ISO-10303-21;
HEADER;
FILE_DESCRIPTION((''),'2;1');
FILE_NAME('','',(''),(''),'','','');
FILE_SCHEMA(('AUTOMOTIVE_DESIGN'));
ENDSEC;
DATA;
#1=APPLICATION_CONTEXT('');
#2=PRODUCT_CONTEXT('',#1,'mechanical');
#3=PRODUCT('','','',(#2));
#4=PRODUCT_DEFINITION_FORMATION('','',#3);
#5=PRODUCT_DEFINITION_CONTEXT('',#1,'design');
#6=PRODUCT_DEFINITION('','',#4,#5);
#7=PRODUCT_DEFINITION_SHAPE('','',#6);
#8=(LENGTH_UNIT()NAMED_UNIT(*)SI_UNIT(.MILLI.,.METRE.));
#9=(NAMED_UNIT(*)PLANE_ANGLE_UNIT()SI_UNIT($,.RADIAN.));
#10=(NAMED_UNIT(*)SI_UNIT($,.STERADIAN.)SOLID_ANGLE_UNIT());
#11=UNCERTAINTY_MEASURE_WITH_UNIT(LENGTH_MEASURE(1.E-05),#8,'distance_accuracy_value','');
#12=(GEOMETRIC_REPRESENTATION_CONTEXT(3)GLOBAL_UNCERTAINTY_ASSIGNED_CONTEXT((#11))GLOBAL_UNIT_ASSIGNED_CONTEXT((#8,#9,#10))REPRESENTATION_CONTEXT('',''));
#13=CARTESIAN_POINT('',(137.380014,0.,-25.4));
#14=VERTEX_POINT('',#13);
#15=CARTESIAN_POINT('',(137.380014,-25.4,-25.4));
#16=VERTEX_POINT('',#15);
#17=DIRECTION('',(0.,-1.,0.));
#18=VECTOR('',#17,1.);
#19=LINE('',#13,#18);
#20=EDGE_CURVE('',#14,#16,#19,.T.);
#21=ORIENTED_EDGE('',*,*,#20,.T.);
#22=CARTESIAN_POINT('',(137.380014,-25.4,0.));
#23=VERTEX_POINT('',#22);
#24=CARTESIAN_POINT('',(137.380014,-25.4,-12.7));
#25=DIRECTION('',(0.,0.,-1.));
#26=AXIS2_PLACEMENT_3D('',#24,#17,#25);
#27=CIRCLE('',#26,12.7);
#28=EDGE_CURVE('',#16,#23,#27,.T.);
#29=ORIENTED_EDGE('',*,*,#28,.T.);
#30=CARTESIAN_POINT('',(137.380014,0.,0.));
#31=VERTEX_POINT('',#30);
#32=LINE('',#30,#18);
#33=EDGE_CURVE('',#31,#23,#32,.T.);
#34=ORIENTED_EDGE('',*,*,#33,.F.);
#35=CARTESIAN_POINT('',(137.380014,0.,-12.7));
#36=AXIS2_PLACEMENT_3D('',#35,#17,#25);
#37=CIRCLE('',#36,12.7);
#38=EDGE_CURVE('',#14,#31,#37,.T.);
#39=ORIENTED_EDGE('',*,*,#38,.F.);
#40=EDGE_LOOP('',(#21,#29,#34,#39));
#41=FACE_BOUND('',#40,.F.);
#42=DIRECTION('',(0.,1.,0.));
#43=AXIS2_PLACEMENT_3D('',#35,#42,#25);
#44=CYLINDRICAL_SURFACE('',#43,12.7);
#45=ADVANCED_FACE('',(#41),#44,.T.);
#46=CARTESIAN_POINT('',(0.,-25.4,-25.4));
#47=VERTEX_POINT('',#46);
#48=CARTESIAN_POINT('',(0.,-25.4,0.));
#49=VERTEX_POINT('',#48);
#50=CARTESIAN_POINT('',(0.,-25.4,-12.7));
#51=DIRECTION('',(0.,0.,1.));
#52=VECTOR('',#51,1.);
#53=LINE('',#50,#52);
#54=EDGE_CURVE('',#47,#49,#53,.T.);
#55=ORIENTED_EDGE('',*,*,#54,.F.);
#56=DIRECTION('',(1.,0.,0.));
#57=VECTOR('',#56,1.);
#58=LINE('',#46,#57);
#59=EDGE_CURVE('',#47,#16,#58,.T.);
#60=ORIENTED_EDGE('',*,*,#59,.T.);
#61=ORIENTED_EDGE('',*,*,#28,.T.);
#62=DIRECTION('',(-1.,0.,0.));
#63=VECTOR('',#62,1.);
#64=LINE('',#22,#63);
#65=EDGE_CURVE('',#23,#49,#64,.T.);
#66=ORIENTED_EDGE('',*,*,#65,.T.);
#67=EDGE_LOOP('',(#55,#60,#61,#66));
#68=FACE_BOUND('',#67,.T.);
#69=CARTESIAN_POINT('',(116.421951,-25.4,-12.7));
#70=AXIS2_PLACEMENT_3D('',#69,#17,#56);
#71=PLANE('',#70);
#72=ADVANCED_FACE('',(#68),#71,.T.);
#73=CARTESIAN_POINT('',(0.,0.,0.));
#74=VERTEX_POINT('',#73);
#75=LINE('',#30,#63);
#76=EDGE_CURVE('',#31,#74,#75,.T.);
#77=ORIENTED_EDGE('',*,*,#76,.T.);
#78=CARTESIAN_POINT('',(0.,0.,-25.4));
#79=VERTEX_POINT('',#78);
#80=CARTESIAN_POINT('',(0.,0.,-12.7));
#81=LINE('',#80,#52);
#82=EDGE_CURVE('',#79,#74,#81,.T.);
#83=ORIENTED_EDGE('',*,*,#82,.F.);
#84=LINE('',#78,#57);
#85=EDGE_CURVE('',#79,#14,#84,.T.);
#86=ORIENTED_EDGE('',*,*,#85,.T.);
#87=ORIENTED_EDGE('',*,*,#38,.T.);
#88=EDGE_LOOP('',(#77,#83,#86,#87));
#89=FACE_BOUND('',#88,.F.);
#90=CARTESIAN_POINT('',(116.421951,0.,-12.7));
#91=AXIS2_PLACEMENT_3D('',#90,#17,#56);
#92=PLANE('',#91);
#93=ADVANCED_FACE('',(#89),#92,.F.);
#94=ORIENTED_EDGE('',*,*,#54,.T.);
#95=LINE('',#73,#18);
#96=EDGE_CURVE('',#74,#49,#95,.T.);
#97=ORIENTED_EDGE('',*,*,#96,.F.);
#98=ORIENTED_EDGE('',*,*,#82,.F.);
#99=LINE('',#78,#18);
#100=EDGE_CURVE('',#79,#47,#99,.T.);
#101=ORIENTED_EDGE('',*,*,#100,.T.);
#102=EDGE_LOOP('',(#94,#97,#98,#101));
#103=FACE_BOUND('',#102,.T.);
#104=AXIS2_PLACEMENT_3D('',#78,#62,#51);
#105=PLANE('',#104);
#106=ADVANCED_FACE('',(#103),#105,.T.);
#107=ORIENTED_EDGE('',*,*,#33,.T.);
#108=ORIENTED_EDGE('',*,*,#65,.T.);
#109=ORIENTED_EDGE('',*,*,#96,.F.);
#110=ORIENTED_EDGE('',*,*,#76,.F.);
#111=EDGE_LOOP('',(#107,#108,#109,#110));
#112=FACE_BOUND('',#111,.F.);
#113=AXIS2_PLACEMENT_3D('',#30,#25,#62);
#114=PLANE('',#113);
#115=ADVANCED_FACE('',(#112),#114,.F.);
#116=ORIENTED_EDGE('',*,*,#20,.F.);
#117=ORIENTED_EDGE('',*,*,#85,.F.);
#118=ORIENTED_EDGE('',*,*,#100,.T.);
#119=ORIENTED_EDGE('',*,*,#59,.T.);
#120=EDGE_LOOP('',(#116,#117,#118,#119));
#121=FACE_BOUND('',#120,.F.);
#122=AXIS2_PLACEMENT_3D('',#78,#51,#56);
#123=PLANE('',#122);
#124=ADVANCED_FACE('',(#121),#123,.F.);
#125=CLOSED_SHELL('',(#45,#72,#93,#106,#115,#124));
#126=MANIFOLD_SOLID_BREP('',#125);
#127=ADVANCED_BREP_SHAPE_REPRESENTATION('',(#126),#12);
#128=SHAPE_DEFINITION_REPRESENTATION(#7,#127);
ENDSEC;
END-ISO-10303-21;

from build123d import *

# Parameters (mm, degrees)
F0_W     = 46.5433155785
F0_H     = 25.4
F0_W_2   = 41.6104151942
F1_DEPTH = 25.4


with BuildPart() as f1:
    # F0 (on Front) → F1 (new body)
    with BuildSketch(Plane.XZ):
        with BuildLine():
            Line((137.3800143067, 0), (88.1537307727, 0))
            Line((88.1537307727, 0), (88.1537307727, -25.4))
            Line((88.1537307727, -25.4), (137.3800143067, -25.4))
            ThreePointArc((137.3800143067, -25.4), (150.0800143067, -12.7), (137.3800143067, 0))
        make_face()
        with Locations((23.2716577892, -12.7)):
            Rectangle(F0_W, F0_H)
        with Locations((67.3485231756, -12.7)):
            Rectangle(F0_W_2, F0_H)
    extrude(amount=F1_DEPTH)


solid = f1.part
